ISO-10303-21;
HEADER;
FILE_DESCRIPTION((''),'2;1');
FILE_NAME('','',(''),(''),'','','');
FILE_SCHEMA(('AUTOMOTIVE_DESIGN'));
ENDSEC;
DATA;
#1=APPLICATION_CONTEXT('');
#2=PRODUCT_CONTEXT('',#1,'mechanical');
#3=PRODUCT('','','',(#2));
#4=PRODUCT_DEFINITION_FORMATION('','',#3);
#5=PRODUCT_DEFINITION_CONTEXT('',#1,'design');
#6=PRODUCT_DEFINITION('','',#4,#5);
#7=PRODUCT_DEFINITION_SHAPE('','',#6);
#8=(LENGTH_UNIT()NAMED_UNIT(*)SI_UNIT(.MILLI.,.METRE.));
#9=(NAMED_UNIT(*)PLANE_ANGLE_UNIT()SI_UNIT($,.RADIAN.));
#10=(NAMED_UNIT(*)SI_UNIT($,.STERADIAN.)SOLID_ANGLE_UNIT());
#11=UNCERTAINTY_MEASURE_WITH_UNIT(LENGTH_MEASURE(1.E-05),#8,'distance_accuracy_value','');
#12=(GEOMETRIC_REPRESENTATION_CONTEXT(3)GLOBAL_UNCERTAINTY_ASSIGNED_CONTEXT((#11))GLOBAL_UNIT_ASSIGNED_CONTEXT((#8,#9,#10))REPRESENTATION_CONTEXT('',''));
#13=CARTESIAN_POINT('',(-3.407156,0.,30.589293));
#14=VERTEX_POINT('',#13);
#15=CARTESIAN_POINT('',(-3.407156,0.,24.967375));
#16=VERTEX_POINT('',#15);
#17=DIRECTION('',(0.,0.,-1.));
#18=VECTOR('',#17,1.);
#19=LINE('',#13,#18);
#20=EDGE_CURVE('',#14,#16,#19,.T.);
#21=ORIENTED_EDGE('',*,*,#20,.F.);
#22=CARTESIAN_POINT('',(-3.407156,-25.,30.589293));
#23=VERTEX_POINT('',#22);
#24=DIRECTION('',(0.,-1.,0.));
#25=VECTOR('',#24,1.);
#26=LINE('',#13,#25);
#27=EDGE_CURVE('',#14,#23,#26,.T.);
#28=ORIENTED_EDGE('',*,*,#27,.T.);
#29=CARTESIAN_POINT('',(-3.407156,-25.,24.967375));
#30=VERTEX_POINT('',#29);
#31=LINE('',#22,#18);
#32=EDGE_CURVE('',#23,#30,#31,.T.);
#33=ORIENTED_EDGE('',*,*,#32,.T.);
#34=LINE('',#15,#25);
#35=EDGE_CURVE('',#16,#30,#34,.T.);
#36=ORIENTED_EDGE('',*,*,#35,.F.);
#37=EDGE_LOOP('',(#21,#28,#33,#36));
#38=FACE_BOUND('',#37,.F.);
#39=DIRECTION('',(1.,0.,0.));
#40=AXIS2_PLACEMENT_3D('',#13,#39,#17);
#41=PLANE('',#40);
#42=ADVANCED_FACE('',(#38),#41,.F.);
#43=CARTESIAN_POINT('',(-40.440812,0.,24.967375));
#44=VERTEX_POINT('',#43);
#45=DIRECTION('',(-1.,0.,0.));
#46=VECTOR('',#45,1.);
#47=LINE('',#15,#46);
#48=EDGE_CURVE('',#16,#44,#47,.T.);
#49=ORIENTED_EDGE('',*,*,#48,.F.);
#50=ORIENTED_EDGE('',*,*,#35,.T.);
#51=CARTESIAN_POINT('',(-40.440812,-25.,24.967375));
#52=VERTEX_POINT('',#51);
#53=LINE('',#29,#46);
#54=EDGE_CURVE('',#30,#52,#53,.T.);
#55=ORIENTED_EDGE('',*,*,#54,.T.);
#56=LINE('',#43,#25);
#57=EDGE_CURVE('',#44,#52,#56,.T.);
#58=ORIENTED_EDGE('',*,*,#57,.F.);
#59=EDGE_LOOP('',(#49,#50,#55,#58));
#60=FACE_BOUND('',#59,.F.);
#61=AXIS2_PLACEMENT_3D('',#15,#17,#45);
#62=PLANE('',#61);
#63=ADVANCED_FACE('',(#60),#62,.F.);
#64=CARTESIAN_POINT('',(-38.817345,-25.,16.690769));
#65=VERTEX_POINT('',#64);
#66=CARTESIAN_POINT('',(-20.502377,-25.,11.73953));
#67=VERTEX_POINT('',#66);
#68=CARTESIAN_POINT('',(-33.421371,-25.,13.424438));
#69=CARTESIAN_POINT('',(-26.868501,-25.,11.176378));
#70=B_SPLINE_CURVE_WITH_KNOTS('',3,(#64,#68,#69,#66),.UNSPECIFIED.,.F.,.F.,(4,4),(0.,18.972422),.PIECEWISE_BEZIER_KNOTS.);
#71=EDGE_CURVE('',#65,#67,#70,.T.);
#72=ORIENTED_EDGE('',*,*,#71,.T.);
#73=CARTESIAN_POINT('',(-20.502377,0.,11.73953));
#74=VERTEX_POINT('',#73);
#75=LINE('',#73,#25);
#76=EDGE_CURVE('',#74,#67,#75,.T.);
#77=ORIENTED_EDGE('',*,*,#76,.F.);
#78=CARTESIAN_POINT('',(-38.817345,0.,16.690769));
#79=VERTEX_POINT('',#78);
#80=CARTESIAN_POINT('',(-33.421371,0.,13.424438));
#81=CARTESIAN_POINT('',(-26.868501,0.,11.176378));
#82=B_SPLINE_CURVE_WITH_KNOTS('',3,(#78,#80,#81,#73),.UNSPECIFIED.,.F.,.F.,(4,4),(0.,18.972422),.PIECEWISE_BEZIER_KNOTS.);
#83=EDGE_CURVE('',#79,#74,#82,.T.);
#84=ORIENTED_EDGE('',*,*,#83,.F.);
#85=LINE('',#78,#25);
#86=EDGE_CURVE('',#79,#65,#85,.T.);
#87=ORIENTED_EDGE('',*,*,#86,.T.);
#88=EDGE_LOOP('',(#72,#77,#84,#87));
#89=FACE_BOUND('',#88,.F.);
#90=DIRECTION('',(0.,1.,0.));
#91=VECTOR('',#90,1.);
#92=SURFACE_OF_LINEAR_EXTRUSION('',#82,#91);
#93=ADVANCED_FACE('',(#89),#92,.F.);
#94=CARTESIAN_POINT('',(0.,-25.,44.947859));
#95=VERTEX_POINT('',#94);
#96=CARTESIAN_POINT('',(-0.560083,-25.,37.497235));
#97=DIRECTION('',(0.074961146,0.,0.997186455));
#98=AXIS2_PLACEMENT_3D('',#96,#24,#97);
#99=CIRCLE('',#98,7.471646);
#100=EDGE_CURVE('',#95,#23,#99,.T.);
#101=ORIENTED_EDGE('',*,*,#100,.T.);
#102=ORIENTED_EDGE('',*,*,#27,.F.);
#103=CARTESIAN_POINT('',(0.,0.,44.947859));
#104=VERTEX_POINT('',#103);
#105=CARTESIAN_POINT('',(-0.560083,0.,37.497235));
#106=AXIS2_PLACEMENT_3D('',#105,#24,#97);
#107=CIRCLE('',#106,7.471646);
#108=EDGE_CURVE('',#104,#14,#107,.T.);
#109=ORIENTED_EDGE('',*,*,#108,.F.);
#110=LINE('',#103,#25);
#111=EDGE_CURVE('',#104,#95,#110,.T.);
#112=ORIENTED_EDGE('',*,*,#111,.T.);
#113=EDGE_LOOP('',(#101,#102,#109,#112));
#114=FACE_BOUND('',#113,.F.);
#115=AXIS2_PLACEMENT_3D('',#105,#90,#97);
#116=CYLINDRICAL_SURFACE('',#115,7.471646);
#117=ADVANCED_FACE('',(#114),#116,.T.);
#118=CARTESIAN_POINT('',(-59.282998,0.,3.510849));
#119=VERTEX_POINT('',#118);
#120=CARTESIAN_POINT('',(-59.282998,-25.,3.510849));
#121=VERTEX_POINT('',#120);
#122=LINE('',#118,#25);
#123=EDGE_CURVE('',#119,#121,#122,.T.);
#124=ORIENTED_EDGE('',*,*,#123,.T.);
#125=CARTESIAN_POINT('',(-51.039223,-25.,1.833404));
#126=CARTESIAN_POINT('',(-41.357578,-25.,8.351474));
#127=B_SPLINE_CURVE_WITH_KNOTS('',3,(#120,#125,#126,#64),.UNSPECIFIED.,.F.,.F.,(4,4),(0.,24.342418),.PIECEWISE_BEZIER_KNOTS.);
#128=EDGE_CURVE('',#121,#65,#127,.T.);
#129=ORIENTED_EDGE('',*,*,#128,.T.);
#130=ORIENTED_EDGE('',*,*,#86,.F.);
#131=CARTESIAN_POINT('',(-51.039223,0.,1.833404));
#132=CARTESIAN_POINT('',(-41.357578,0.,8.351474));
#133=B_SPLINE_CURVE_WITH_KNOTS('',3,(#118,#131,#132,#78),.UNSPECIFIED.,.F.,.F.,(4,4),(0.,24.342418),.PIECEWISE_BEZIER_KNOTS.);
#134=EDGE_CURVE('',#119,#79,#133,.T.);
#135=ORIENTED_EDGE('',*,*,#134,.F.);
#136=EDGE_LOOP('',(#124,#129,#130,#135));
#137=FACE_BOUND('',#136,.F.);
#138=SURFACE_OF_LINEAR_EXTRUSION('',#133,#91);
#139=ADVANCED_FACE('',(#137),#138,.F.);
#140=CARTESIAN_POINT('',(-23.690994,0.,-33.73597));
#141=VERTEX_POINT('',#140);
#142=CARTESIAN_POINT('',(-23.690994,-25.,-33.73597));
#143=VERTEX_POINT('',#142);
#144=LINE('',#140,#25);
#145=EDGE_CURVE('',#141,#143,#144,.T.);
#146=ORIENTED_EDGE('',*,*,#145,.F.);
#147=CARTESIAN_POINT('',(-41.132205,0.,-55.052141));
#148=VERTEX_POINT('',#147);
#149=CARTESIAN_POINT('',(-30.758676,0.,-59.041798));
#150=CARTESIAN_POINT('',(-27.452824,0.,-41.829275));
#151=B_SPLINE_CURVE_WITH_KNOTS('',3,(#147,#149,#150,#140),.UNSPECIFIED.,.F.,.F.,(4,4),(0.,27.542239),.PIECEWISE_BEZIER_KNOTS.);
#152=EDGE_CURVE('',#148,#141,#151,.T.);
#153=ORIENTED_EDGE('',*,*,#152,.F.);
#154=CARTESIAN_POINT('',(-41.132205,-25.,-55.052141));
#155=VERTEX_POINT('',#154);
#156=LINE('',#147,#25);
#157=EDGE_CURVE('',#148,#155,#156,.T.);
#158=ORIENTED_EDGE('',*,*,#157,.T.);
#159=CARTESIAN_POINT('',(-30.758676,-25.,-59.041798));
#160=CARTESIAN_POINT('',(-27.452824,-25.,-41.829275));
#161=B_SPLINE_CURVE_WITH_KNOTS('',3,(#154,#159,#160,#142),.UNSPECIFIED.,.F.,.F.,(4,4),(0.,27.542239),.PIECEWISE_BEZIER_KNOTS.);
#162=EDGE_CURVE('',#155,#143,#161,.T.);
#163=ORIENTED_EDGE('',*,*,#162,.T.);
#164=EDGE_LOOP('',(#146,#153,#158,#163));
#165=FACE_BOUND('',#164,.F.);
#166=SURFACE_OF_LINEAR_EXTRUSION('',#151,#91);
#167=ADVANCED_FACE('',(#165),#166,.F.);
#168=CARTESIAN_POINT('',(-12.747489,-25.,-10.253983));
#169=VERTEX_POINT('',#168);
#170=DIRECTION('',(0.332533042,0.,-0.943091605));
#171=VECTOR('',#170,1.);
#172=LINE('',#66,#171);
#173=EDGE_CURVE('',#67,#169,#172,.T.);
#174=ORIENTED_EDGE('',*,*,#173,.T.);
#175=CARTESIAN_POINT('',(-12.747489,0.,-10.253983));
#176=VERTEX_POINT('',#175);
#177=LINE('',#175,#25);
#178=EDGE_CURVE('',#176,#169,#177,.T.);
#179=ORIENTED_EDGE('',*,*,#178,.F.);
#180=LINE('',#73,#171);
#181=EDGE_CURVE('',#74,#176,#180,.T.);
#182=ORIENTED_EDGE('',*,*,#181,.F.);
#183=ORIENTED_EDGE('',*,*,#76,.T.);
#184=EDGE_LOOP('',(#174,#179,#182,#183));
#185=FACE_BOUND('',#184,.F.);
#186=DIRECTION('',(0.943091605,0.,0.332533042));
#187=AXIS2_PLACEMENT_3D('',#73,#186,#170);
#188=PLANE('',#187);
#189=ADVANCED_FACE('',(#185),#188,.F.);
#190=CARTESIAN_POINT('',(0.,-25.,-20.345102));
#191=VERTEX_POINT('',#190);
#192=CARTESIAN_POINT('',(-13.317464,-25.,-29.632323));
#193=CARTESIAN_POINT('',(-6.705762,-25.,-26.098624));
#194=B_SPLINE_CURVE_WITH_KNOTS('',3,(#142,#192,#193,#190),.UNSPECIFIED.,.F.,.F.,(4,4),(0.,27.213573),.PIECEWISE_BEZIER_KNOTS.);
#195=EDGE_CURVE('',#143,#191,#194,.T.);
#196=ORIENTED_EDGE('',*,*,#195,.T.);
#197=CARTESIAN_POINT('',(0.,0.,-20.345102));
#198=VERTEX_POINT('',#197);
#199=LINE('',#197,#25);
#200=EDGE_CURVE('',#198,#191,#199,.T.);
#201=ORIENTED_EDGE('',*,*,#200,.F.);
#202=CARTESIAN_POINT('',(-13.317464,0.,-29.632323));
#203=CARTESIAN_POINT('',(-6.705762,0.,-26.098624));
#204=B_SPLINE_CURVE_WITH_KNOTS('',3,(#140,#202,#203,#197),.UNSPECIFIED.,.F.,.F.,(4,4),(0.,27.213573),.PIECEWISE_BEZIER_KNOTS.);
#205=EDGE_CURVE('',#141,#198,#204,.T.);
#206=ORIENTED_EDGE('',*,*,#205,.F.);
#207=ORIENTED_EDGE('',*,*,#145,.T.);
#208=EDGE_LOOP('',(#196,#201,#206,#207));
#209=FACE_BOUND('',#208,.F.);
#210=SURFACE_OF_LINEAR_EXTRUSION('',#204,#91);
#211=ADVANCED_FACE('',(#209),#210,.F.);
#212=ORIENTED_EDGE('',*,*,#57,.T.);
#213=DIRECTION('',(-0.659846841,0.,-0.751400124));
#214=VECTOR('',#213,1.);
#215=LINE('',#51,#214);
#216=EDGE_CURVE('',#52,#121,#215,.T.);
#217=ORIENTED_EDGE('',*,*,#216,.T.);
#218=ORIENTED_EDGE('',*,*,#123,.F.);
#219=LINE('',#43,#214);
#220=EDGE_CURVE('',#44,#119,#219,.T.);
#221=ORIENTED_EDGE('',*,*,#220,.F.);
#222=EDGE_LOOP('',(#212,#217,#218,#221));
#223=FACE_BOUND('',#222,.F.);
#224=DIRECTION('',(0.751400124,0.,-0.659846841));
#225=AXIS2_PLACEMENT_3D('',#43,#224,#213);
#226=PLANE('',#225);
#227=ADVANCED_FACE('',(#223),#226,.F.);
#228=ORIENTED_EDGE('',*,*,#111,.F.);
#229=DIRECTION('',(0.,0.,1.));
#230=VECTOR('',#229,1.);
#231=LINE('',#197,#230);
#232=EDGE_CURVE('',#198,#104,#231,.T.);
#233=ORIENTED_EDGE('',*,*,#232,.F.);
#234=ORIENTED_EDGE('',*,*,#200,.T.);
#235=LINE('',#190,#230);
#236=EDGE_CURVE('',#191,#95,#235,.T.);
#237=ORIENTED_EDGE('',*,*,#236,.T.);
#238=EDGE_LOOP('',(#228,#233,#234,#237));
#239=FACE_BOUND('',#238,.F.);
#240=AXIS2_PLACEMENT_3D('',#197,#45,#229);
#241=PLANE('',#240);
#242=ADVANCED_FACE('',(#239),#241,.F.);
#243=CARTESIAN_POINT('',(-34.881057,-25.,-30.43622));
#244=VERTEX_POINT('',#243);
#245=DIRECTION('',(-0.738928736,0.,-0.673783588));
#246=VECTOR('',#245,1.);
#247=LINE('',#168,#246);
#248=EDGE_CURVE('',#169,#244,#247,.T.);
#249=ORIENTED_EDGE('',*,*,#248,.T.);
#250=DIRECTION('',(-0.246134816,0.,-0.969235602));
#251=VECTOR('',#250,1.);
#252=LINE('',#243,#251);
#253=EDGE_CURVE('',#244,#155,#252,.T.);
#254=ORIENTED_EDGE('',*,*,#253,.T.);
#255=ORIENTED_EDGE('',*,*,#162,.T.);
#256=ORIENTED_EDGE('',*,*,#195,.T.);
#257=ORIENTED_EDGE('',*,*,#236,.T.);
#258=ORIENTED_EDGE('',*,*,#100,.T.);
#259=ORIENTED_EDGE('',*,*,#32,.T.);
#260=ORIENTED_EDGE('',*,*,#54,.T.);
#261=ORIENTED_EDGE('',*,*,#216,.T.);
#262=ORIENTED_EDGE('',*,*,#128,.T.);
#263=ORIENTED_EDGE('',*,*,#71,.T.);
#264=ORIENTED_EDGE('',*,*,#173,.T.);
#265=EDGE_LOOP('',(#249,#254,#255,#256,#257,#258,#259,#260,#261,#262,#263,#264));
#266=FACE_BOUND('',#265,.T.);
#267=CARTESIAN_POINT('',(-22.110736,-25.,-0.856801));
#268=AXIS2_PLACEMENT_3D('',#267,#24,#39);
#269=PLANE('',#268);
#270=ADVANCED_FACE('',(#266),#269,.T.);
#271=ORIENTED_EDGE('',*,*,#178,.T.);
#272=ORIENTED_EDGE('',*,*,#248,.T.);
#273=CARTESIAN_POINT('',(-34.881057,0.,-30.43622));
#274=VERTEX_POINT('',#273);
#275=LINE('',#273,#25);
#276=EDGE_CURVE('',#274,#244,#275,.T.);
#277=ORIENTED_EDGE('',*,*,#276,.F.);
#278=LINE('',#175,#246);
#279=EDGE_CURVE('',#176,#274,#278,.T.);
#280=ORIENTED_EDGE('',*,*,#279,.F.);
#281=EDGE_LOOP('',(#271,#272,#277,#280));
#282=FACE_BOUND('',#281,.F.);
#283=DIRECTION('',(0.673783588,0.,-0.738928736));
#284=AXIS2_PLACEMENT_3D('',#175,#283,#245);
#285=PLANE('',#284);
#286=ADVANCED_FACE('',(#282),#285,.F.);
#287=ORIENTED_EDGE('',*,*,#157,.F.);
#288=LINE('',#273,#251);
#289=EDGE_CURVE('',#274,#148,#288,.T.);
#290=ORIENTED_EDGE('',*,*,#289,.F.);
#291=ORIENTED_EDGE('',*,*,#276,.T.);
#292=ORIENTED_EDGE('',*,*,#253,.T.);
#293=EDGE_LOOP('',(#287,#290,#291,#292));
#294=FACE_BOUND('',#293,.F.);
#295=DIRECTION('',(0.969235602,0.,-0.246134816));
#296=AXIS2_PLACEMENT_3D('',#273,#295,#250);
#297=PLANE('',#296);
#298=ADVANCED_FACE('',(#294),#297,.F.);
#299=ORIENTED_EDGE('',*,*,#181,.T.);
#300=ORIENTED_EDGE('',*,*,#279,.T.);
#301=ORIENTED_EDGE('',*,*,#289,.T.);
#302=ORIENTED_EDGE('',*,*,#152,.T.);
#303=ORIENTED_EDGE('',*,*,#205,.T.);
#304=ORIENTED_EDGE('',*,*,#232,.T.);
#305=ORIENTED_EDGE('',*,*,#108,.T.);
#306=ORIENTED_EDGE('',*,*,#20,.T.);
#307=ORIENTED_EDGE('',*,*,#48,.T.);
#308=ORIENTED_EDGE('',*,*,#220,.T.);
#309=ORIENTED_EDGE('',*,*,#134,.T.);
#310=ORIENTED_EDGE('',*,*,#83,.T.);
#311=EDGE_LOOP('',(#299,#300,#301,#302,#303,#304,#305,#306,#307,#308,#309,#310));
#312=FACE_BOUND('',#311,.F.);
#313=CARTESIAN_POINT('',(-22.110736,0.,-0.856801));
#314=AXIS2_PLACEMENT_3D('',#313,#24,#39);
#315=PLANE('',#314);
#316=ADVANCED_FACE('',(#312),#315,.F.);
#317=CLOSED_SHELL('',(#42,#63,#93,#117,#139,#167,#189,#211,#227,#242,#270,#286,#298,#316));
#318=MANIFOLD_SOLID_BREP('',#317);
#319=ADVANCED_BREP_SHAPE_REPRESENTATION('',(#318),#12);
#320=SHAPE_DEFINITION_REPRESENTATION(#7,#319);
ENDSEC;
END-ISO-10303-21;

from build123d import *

# Parameters (mm, degrees)
F1_DEPTH = 25


with BuildPart() as f1:
    # F0 (on Front) → F1 (new body)
    with BuildSketch(Plane.XZ):
        with BuildLine():
            ThreePointArc((0, 44.947859), (-7.829862, 39.222287), (-3.407156, 30.589293))
            Line((-3.407156, 30.589293), (-3.407156, 24.967375))
            Line((-3.407156, 24.967375), (-40.440812, 24.967375))
            Line((-40.440812, 24.967375), (-59.282998, 3.510849))
            add(Edge.make_bspline(
                [(-59.282998, 3.510849), (-51.039223, 1.833404), (-41.357578, 8.351474), (-38.817345, 16.690769)],
                knots=[0, 0, 0, 0, 24.342418, 24.342418, 24.342418, 24.342418], degree=3))
            add(Edge.make_bspline(
                [(-38.817345, 16.690769), (-33.421371, 13.424438), (-26.868501, 11.176378), (-20.502377, 11.73953)],
                knots=[0, 0, 0, 0, 18.972422, 18.972422, 18.972422, 18.972422], degree=3))
            Line((-20.502377, 11.73953), (-12.747489, -10.253983))
            Line((-12.747489, -10.253983), (-34.881057, -30.43622))
            Line((-34.881057, -30.43622), (-41.132205, -55.052141))
            add(Edge.make_bspline(
                [(-41.132205, -55.052141), (-30.758676, -59.041798), (-27.452824, -41.829275), (-23.690994, -33.73597)],
                knots=[0, 0, 0, 0, 27.542239, 27.542239, 27.542239, 27.542239], degree=3))
            add(Edge.make_bspline(
                [(-23.690994, -33.73597), (-13.317464, -29.632323), (-6.705762, -26.098624), (0, -20.345102)],
                knots=[0, 0, 0, 0, 27.213573, 27.213573, 27.213573, 27.213573], degree=3))
            Line((0, -20.345102), (0, 44.947859))
        make_face()
    extrude(amount=F1_DEPTH)


solid = f1.part
